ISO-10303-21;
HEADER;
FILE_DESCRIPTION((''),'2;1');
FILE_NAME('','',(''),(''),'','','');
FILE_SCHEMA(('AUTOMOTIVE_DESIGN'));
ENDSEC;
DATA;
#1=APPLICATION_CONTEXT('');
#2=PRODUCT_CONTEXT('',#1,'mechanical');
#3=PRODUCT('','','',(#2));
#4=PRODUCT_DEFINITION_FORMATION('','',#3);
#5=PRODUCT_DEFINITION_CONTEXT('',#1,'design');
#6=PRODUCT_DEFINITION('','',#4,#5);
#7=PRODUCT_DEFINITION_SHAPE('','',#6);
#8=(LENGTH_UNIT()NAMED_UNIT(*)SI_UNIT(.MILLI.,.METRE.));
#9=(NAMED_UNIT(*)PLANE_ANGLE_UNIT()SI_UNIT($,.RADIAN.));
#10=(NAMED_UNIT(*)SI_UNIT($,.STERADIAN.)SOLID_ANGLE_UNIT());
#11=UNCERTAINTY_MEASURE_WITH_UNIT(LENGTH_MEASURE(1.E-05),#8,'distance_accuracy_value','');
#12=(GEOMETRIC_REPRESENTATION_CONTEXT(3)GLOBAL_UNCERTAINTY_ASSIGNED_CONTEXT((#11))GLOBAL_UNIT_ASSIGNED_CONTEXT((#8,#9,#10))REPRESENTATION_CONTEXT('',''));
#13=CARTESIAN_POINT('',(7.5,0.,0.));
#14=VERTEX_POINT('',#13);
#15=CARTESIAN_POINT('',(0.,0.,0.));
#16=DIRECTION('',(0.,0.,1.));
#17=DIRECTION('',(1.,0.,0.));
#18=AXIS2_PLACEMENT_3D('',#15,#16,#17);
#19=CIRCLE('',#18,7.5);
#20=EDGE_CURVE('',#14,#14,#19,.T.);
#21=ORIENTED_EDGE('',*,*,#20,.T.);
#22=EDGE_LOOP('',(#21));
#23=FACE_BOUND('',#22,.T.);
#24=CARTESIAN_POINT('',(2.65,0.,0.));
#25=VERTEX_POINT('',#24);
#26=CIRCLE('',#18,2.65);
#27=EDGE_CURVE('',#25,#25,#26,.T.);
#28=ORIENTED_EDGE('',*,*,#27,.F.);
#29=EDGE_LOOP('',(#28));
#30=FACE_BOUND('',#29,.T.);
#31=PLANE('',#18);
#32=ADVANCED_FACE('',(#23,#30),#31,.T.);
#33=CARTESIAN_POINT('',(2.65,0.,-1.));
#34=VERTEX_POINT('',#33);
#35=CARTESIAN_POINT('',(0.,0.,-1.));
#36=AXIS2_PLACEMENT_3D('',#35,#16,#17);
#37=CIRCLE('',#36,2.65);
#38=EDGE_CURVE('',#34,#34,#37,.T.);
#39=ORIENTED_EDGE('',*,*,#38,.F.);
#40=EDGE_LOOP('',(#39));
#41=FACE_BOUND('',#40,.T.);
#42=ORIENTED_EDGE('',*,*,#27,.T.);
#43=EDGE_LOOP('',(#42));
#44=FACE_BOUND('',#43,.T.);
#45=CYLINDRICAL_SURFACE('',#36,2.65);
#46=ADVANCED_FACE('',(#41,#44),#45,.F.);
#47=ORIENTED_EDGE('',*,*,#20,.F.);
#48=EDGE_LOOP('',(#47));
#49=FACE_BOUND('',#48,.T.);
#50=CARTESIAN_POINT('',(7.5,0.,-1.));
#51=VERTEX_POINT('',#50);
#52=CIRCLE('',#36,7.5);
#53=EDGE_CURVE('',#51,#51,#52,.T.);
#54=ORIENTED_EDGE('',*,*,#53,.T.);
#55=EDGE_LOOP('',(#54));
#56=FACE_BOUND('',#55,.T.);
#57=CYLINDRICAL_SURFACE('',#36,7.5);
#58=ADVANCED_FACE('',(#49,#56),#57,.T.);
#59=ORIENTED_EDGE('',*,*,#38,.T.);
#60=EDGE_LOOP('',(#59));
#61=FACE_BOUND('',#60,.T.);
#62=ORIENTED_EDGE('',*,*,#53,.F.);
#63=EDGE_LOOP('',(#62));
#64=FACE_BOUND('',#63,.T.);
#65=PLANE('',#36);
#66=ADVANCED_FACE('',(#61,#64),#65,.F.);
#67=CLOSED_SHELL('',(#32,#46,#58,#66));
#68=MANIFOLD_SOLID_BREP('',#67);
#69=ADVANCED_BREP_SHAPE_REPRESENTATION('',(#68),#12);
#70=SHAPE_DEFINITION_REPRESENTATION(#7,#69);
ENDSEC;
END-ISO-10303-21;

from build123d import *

# Parameters (mm, degrees)
SKETCH1_R      = 7.5
SKETCH1_R_2    = 2.65
EXTRUDE1_DEPTH = 1


with BuildPart() as part:
    # Sketch1 → Extrude1 (new body)
    with BuildSketch(Plane.XY):
        Circle(SKETCH1_R)
        Circle(SKETCH1_R_2, mode=Mode.SUBTRACT)
    extrude(amount=-EXTRUDE1_DEPTH)


solid = part.part
